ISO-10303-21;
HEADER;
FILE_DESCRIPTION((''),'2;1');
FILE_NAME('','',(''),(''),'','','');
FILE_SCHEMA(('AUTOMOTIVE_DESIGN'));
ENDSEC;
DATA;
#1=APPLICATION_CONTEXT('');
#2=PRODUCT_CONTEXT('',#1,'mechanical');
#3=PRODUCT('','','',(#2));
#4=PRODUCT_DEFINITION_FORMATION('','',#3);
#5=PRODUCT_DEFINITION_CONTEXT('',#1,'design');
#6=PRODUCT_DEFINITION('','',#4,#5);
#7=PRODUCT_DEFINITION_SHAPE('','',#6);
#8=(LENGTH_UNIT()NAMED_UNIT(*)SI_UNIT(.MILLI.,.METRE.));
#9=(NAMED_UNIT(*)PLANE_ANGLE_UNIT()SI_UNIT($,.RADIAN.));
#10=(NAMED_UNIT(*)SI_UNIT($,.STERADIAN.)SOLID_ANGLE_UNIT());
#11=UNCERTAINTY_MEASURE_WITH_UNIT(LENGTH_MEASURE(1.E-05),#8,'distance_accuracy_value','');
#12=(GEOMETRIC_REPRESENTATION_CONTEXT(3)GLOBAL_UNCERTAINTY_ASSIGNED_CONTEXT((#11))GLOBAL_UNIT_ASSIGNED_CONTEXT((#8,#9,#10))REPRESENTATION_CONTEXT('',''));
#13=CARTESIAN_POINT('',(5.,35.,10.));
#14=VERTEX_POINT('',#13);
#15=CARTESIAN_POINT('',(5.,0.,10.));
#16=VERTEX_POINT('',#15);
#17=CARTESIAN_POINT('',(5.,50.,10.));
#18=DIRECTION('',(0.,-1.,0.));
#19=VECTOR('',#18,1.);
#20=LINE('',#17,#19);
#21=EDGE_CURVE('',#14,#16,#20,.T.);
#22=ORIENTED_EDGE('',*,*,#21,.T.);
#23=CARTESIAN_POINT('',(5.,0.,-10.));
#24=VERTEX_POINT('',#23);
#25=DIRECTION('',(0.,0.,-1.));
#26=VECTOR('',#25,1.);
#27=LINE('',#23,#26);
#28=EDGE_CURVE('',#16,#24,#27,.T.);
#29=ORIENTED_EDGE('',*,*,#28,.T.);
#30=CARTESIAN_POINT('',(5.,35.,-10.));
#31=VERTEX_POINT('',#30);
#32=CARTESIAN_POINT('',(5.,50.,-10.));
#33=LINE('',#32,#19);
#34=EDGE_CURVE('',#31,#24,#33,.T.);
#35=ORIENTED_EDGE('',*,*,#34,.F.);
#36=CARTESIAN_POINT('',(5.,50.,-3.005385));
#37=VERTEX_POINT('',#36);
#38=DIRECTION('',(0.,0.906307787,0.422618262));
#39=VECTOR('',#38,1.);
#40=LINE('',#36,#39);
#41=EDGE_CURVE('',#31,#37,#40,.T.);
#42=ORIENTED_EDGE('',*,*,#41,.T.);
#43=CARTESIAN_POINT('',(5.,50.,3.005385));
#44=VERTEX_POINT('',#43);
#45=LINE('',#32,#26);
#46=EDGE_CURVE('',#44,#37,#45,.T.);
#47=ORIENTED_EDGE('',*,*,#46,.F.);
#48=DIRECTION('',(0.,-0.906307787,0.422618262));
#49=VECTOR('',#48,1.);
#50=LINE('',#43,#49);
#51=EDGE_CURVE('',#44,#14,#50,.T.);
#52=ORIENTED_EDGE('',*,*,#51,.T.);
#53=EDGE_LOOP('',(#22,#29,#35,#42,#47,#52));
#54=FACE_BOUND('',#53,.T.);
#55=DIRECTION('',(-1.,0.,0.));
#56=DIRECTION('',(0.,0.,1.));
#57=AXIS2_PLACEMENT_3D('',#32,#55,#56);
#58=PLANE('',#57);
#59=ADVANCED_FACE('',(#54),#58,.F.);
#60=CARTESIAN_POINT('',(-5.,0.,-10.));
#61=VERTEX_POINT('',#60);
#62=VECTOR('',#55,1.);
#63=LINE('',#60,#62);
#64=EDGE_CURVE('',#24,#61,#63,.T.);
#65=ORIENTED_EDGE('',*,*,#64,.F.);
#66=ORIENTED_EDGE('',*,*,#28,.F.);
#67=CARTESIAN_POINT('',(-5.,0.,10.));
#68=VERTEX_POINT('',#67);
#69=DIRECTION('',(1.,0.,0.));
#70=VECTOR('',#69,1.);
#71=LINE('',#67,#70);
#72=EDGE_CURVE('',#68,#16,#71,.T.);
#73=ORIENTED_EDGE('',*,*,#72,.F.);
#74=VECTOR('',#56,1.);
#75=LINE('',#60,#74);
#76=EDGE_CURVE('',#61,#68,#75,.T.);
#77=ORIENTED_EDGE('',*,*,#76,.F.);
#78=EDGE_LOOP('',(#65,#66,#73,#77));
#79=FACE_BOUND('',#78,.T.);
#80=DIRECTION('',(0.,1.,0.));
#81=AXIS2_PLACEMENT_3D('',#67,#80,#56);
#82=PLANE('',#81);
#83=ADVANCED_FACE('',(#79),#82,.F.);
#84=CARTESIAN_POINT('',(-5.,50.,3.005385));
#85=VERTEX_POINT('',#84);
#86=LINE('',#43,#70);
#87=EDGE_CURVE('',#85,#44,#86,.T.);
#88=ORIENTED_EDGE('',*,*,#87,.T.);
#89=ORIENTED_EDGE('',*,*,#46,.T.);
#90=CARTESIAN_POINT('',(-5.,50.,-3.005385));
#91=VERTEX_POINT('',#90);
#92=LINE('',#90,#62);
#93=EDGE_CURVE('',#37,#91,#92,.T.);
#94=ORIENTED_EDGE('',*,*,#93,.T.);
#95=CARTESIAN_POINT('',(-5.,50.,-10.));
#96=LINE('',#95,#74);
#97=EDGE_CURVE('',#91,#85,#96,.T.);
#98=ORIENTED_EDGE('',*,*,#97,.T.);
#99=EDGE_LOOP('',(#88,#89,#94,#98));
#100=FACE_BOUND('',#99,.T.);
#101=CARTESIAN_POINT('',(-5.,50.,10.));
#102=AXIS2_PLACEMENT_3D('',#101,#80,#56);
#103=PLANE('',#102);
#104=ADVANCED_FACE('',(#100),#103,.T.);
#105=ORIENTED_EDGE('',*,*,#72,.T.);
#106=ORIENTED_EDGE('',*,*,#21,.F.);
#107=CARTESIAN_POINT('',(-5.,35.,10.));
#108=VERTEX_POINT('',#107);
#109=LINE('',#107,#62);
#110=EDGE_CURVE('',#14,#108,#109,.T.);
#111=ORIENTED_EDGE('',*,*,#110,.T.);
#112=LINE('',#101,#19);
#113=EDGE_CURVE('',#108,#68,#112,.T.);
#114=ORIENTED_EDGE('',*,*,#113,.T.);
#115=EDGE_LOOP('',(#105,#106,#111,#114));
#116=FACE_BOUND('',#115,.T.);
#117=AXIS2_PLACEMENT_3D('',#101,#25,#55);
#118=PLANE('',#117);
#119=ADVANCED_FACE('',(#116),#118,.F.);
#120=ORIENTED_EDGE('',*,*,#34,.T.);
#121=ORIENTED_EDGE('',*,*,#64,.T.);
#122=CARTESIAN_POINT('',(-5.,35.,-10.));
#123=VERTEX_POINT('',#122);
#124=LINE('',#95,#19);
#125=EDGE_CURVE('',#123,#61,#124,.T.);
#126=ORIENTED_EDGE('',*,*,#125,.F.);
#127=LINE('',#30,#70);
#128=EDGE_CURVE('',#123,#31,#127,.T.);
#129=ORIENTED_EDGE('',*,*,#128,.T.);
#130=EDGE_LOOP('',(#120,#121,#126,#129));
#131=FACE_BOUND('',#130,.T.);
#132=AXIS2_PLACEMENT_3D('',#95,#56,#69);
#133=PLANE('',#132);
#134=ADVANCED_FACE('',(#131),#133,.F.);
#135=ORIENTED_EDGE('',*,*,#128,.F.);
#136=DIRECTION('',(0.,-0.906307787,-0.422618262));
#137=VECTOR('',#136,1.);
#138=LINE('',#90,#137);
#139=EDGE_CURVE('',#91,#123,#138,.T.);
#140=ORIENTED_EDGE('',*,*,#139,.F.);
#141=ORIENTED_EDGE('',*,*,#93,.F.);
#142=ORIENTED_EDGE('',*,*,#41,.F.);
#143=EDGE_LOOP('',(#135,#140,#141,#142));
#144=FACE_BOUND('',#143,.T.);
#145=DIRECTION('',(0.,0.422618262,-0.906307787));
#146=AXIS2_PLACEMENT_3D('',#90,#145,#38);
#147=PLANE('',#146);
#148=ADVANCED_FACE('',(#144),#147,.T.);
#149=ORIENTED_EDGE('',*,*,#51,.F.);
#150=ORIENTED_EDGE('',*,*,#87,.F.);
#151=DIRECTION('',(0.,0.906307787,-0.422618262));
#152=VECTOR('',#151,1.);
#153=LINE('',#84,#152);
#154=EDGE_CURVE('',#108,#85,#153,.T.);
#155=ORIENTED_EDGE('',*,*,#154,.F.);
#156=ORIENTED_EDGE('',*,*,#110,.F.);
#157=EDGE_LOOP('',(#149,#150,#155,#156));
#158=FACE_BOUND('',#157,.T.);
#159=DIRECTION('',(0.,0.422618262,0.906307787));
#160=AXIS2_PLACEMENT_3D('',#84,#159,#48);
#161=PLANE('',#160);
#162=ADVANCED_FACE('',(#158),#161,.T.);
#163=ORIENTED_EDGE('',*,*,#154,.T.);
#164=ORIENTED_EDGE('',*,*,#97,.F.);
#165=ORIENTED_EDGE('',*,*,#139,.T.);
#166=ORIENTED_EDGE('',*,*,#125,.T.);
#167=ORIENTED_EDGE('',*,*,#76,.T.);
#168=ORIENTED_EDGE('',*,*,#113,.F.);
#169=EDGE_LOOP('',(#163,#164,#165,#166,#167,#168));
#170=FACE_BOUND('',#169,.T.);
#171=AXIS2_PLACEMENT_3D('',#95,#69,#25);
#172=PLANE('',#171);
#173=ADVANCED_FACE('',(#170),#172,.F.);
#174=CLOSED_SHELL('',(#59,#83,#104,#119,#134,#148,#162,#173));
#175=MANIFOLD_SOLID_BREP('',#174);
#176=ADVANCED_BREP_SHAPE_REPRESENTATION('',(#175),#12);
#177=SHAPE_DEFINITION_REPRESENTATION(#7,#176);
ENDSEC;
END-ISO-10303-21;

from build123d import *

# Parameters (mm, degrees)
SKETCH_1_W      = 10
SKETCH_1_H      = 20
EXTRUDE_1_DEPTH = 50
CHAMFER_1_SIZE  = 15
CHAMFER_1_SIZE2 = 6.994614872
CHAMFER_2_SIZE  = 15
CHAMFER_2_SIZE2 = 6.994614872


with BuildPart() as part:
    # Эскиз1 → Вытянуть1 (new body)
    with BuildSketch(Plane(origin=(0, 0, 0), x_dir=(1, 0, 0), z_dir=(0, 1, 0))):
        Rectangle(SKETCH_1_W, SKETCH_1_H)
    extrude(amount=EXTRUDE_1_DEPTH)

    # Фаска1
    chamfer_1_edges = [part.edges().sort_by_distance(p)[0] for p in [
        (0, 50, 10),
    ]]
    chamfer_1_side = [part.faces().sort_by_distance(p)[0] for p in [
        (0, 25, 10),
    ]]
    chamfer(chamfer_1_edges, length=CHAMFER_1_SIZE, length2=CHAMFER_1_SIZE2, reference=chamfer_1_side[0])

    # Фаска2
    chamfer_2_edges = [part.edges().sort_by_distance(p)[0] for p in [
        (0, 50, -10),
    ]]
    chamfer_2_side = [part.faces().sort_by_distance(p)[0] for p in [
        (0, 25, -10),
    ]]
    chamfer(chamfer_2_edges, length=CHAMFER_2_SIZE, length2=CHAMFER_2_SIZE2, reference=chamfer_2_side[0])


solid = part.part
